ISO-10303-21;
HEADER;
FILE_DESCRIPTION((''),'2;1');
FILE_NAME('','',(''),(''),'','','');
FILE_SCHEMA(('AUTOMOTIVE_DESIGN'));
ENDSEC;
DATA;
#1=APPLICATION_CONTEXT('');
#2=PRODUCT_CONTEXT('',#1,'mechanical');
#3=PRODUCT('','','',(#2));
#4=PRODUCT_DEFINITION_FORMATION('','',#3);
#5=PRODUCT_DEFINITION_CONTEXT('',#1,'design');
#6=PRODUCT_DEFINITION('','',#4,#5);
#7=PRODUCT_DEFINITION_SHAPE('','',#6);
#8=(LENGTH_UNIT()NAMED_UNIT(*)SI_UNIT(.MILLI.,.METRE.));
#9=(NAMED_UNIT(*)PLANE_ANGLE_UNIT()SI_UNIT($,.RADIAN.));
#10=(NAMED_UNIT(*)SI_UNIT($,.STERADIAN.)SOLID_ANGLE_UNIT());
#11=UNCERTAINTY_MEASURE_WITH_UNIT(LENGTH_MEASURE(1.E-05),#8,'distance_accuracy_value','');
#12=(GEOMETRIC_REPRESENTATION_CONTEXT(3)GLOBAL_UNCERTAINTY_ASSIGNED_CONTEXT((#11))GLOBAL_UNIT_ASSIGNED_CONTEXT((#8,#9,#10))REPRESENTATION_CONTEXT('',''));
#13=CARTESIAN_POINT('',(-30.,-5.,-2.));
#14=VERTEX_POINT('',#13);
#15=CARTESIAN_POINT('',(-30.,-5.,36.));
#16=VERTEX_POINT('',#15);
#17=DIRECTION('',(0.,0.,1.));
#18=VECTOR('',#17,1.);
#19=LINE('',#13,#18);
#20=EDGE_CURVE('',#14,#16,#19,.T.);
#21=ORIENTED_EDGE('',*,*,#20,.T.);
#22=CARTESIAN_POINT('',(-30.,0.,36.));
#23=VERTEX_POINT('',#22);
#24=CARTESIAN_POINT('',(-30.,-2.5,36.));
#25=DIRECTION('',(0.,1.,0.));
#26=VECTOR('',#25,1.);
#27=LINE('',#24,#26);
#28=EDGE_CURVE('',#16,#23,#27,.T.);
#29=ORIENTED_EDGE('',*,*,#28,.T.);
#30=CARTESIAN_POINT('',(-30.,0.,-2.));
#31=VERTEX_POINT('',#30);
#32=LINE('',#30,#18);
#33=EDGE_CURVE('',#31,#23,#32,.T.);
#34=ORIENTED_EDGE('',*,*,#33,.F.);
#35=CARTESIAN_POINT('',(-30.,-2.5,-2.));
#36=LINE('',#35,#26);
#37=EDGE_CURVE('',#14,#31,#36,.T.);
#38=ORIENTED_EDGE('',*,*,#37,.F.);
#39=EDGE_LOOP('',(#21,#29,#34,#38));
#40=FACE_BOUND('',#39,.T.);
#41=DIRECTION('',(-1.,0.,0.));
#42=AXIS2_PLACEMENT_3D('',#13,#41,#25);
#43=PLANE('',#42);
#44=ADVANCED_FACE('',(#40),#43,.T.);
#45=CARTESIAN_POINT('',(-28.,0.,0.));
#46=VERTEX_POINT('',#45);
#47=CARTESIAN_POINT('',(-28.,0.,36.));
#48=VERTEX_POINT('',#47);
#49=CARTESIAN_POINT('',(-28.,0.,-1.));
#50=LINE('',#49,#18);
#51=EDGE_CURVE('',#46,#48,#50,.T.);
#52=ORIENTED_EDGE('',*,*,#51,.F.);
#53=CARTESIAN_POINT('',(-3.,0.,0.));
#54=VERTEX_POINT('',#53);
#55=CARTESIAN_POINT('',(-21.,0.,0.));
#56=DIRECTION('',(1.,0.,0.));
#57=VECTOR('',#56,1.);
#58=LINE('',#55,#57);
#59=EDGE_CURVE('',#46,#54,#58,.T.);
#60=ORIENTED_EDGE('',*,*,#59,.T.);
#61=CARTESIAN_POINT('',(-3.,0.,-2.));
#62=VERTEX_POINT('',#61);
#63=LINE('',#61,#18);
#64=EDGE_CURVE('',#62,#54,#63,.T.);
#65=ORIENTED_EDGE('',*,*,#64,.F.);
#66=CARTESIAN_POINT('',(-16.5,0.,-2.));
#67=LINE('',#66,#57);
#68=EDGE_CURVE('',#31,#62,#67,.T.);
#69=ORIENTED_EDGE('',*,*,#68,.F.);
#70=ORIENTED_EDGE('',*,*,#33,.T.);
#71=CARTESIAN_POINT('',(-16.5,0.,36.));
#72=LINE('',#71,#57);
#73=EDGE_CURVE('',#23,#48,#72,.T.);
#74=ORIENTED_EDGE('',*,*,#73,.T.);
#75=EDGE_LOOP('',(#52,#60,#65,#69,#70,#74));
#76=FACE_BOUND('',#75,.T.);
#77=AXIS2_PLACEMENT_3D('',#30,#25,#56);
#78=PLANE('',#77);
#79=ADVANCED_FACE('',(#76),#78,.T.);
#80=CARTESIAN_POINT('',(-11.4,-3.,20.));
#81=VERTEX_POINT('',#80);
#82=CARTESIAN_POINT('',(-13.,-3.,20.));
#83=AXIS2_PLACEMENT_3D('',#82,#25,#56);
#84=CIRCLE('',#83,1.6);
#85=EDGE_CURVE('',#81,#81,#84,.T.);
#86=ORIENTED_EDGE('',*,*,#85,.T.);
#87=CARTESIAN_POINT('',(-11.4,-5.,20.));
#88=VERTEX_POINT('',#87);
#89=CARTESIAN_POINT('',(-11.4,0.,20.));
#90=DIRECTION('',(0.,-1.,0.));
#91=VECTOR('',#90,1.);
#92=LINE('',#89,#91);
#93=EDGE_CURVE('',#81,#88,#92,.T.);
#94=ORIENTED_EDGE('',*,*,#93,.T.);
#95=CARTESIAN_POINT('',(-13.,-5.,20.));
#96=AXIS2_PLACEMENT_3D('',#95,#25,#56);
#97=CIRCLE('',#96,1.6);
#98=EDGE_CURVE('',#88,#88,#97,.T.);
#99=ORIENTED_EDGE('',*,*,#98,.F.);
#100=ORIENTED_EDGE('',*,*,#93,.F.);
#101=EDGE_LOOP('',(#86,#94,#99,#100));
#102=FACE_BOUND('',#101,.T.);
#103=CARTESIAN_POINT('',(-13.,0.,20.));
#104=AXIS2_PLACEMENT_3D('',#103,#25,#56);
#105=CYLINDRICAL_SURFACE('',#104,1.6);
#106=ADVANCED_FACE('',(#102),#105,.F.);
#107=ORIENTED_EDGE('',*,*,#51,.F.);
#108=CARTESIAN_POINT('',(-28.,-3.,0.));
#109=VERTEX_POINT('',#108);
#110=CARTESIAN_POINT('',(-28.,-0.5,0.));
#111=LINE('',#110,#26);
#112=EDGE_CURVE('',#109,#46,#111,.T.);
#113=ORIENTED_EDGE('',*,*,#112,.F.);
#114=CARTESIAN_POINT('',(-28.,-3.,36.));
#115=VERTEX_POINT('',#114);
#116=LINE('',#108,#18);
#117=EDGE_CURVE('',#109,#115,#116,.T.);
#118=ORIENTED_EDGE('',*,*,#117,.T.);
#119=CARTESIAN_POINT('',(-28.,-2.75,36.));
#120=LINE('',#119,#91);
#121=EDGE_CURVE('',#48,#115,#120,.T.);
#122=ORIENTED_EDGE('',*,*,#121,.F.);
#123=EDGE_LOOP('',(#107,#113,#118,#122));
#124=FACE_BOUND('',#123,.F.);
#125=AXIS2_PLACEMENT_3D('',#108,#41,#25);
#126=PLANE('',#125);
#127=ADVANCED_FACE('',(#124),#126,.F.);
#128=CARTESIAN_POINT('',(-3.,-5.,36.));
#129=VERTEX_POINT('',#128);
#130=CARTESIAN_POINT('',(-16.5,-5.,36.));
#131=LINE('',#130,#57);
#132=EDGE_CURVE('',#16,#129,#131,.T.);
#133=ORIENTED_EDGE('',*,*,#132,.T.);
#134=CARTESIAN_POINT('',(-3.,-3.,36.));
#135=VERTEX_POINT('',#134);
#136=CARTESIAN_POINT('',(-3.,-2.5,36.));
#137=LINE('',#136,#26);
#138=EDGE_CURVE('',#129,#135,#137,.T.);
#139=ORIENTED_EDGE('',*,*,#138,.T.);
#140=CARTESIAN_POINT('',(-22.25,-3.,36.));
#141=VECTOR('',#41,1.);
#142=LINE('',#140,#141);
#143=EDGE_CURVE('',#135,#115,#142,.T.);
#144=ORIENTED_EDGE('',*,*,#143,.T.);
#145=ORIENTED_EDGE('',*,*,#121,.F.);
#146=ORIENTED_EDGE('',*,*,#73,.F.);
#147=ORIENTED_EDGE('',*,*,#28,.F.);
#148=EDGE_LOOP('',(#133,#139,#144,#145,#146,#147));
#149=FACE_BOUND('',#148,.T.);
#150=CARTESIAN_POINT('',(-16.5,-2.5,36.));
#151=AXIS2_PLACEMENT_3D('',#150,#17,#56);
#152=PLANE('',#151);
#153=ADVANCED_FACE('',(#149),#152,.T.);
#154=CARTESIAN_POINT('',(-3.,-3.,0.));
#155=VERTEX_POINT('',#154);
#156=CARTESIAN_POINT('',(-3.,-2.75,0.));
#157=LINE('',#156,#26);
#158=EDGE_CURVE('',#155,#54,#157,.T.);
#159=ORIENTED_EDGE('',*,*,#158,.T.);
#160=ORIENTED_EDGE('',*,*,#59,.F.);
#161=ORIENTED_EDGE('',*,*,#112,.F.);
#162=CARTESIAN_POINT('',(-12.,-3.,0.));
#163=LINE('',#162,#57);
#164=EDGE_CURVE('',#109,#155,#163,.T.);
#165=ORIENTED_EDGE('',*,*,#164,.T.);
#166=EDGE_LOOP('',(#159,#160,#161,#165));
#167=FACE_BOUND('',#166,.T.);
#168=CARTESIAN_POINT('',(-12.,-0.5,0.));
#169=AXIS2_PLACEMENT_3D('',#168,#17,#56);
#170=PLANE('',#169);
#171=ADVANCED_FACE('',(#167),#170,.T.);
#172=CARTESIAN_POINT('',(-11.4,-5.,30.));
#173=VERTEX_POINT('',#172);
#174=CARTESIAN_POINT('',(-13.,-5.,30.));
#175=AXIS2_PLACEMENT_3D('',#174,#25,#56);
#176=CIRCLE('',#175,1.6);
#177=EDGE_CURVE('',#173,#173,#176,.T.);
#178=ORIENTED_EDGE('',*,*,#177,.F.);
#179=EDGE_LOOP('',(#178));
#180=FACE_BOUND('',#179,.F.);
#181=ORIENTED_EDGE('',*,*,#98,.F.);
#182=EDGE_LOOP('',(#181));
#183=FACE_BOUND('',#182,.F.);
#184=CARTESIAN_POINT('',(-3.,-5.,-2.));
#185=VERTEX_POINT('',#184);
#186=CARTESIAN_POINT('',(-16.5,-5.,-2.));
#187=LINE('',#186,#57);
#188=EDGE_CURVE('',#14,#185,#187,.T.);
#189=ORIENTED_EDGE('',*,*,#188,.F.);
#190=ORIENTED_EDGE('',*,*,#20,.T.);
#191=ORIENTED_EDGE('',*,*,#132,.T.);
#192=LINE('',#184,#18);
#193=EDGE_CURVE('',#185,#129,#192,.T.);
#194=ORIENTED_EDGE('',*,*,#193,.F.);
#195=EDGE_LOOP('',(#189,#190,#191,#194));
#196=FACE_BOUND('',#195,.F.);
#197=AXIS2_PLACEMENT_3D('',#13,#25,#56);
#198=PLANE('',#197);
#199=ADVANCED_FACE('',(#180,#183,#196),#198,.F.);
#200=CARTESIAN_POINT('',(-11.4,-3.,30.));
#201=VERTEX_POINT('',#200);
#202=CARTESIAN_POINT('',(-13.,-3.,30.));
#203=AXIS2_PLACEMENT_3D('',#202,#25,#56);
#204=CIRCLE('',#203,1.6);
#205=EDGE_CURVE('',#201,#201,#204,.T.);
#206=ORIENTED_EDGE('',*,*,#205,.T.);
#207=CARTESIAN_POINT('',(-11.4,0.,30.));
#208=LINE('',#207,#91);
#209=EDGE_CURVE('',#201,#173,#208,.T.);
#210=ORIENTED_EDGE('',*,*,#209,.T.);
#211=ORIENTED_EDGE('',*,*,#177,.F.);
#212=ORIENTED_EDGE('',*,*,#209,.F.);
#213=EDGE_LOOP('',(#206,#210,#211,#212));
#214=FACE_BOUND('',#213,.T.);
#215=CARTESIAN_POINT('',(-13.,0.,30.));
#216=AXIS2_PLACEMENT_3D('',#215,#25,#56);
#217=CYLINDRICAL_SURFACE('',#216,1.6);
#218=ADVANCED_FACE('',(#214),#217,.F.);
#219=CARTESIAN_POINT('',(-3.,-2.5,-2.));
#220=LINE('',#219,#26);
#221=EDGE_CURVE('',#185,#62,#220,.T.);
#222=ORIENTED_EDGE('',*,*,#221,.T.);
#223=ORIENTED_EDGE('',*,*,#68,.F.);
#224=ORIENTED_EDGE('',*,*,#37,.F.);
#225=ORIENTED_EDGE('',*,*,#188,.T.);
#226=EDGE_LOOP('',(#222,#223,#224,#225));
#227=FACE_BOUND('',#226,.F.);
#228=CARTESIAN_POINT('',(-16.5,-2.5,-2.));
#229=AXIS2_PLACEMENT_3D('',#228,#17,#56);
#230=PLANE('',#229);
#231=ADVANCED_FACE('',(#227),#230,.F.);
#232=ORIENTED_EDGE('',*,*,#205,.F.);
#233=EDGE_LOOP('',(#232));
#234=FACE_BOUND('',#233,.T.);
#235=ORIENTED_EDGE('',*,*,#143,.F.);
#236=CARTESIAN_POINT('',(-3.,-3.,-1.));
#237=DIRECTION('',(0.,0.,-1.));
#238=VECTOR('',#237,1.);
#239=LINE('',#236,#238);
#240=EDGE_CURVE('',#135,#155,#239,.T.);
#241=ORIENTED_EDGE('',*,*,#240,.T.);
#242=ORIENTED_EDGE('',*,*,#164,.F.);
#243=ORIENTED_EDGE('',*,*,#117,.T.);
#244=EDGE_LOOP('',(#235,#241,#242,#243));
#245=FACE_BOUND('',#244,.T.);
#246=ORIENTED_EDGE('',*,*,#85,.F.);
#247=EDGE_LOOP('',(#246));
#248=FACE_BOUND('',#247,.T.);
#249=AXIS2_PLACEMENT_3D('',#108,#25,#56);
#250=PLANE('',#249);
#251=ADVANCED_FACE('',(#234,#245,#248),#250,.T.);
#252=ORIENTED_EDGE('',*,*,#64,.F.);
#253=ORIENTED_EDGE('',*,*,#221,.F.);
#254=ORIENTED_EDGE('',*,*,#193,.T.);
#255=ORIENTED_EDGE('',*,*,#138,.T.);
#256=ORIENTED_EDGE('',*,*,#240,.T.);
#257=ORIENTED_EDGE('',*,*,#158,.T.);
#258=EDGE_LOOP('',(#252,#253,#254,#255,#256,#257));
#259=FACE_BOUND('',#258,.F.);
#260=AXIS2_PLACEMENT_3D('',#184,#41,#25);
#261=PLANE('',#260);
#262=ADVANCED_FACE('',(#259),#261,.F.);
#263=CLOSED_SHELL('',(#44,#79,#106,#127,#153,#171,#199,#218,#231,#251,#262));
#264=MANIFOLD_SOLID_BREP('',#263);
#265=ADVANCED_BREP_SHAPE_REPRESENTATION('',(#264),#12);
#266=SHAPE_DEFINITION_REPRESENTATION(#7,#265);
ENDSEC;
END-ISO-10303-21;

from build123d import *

# Parameters (mm, degrees)
CYLINDER020_R     = 1.6
CYLINDER020_DEPTH = 10
CYLINDER019_R     = 1.6
CYLINDER019_DEPTH = 10
BOX013_W          = 32
BOX013_H          = 5
BOX013_DEPTH      = 38
BOX012_W          = 27
BOX012_H          = 5
BOX012_DEPTH      = 38


with BuildPart() as cylinder020:
    # Cylinder020 → Cylinder020 (new body)
    with BuildSketch(Plane(origin=(25, 0, 15), x_dir=(1, 0, 0), z_dir=(0, -1, 0))):
        Circle(CYLINDER020_R)
    extrude(amount=CYLINDER020_DEPTH)


with BuildPart() as fusion007002:
    # Cylinder019 → Cylinder019 (new body)
    with BuildSketch(Plane(origin=(25, 0, 5), x_dir=(1, 0, 0), z_dir=(0, -1, 0))):
        Circle(CYLINDER019_R)
    extrude(amount=CYLINDER019_DEPTH)

    # Fusion007002: union Cylinder020
    add(cylinder020.part)


with BuildPart() as fusion007002_1:
    # Fusion007002 placement: moved
    add(fusion007002.part.moved(Location((0, 5, 0))))


with BuildPart() as cube010:
    # Box013 → Box013 (new body)
    with BuildSketch(Plane(origin=(10, 2, -15), x_dir=(1, 0, 0), z_dir=(0, 0, 1))):
        with Locations((16, 2.5)):
            Rectangle(BOX013_W, BOX013_H)
    extrude(amount=BOX013_DEPTH)


with BuildPart() as hingle_drill_template:
    # Box012 → Box012 (new body)
    with BuildSketch(Plane(origin=(8, 0, -17), x_dir=(1, 0, 0), z_dir=(0, 0, 1))):
        with Locations((13.5, 2.5)):
            Rectangle(BOX012_W, BOX012_H)
    extrude(amount=BOX012_DEPTH)

    # Cut003010: cut Cube010
    add(cube010.part, mode=Mode.SUBTRACT)

    # Cut003011: cut Fusion007002
    add(fusion007002_1.part, mode=Mode.SUBTRACT)


with BuildPart() as hingle_drill_template_1:
    # Cut003011 placement: moved
    add(hingle_drill_template.part.moved(Location((-38, -5, 15))))


solid = hingle_drill_template_1.part
